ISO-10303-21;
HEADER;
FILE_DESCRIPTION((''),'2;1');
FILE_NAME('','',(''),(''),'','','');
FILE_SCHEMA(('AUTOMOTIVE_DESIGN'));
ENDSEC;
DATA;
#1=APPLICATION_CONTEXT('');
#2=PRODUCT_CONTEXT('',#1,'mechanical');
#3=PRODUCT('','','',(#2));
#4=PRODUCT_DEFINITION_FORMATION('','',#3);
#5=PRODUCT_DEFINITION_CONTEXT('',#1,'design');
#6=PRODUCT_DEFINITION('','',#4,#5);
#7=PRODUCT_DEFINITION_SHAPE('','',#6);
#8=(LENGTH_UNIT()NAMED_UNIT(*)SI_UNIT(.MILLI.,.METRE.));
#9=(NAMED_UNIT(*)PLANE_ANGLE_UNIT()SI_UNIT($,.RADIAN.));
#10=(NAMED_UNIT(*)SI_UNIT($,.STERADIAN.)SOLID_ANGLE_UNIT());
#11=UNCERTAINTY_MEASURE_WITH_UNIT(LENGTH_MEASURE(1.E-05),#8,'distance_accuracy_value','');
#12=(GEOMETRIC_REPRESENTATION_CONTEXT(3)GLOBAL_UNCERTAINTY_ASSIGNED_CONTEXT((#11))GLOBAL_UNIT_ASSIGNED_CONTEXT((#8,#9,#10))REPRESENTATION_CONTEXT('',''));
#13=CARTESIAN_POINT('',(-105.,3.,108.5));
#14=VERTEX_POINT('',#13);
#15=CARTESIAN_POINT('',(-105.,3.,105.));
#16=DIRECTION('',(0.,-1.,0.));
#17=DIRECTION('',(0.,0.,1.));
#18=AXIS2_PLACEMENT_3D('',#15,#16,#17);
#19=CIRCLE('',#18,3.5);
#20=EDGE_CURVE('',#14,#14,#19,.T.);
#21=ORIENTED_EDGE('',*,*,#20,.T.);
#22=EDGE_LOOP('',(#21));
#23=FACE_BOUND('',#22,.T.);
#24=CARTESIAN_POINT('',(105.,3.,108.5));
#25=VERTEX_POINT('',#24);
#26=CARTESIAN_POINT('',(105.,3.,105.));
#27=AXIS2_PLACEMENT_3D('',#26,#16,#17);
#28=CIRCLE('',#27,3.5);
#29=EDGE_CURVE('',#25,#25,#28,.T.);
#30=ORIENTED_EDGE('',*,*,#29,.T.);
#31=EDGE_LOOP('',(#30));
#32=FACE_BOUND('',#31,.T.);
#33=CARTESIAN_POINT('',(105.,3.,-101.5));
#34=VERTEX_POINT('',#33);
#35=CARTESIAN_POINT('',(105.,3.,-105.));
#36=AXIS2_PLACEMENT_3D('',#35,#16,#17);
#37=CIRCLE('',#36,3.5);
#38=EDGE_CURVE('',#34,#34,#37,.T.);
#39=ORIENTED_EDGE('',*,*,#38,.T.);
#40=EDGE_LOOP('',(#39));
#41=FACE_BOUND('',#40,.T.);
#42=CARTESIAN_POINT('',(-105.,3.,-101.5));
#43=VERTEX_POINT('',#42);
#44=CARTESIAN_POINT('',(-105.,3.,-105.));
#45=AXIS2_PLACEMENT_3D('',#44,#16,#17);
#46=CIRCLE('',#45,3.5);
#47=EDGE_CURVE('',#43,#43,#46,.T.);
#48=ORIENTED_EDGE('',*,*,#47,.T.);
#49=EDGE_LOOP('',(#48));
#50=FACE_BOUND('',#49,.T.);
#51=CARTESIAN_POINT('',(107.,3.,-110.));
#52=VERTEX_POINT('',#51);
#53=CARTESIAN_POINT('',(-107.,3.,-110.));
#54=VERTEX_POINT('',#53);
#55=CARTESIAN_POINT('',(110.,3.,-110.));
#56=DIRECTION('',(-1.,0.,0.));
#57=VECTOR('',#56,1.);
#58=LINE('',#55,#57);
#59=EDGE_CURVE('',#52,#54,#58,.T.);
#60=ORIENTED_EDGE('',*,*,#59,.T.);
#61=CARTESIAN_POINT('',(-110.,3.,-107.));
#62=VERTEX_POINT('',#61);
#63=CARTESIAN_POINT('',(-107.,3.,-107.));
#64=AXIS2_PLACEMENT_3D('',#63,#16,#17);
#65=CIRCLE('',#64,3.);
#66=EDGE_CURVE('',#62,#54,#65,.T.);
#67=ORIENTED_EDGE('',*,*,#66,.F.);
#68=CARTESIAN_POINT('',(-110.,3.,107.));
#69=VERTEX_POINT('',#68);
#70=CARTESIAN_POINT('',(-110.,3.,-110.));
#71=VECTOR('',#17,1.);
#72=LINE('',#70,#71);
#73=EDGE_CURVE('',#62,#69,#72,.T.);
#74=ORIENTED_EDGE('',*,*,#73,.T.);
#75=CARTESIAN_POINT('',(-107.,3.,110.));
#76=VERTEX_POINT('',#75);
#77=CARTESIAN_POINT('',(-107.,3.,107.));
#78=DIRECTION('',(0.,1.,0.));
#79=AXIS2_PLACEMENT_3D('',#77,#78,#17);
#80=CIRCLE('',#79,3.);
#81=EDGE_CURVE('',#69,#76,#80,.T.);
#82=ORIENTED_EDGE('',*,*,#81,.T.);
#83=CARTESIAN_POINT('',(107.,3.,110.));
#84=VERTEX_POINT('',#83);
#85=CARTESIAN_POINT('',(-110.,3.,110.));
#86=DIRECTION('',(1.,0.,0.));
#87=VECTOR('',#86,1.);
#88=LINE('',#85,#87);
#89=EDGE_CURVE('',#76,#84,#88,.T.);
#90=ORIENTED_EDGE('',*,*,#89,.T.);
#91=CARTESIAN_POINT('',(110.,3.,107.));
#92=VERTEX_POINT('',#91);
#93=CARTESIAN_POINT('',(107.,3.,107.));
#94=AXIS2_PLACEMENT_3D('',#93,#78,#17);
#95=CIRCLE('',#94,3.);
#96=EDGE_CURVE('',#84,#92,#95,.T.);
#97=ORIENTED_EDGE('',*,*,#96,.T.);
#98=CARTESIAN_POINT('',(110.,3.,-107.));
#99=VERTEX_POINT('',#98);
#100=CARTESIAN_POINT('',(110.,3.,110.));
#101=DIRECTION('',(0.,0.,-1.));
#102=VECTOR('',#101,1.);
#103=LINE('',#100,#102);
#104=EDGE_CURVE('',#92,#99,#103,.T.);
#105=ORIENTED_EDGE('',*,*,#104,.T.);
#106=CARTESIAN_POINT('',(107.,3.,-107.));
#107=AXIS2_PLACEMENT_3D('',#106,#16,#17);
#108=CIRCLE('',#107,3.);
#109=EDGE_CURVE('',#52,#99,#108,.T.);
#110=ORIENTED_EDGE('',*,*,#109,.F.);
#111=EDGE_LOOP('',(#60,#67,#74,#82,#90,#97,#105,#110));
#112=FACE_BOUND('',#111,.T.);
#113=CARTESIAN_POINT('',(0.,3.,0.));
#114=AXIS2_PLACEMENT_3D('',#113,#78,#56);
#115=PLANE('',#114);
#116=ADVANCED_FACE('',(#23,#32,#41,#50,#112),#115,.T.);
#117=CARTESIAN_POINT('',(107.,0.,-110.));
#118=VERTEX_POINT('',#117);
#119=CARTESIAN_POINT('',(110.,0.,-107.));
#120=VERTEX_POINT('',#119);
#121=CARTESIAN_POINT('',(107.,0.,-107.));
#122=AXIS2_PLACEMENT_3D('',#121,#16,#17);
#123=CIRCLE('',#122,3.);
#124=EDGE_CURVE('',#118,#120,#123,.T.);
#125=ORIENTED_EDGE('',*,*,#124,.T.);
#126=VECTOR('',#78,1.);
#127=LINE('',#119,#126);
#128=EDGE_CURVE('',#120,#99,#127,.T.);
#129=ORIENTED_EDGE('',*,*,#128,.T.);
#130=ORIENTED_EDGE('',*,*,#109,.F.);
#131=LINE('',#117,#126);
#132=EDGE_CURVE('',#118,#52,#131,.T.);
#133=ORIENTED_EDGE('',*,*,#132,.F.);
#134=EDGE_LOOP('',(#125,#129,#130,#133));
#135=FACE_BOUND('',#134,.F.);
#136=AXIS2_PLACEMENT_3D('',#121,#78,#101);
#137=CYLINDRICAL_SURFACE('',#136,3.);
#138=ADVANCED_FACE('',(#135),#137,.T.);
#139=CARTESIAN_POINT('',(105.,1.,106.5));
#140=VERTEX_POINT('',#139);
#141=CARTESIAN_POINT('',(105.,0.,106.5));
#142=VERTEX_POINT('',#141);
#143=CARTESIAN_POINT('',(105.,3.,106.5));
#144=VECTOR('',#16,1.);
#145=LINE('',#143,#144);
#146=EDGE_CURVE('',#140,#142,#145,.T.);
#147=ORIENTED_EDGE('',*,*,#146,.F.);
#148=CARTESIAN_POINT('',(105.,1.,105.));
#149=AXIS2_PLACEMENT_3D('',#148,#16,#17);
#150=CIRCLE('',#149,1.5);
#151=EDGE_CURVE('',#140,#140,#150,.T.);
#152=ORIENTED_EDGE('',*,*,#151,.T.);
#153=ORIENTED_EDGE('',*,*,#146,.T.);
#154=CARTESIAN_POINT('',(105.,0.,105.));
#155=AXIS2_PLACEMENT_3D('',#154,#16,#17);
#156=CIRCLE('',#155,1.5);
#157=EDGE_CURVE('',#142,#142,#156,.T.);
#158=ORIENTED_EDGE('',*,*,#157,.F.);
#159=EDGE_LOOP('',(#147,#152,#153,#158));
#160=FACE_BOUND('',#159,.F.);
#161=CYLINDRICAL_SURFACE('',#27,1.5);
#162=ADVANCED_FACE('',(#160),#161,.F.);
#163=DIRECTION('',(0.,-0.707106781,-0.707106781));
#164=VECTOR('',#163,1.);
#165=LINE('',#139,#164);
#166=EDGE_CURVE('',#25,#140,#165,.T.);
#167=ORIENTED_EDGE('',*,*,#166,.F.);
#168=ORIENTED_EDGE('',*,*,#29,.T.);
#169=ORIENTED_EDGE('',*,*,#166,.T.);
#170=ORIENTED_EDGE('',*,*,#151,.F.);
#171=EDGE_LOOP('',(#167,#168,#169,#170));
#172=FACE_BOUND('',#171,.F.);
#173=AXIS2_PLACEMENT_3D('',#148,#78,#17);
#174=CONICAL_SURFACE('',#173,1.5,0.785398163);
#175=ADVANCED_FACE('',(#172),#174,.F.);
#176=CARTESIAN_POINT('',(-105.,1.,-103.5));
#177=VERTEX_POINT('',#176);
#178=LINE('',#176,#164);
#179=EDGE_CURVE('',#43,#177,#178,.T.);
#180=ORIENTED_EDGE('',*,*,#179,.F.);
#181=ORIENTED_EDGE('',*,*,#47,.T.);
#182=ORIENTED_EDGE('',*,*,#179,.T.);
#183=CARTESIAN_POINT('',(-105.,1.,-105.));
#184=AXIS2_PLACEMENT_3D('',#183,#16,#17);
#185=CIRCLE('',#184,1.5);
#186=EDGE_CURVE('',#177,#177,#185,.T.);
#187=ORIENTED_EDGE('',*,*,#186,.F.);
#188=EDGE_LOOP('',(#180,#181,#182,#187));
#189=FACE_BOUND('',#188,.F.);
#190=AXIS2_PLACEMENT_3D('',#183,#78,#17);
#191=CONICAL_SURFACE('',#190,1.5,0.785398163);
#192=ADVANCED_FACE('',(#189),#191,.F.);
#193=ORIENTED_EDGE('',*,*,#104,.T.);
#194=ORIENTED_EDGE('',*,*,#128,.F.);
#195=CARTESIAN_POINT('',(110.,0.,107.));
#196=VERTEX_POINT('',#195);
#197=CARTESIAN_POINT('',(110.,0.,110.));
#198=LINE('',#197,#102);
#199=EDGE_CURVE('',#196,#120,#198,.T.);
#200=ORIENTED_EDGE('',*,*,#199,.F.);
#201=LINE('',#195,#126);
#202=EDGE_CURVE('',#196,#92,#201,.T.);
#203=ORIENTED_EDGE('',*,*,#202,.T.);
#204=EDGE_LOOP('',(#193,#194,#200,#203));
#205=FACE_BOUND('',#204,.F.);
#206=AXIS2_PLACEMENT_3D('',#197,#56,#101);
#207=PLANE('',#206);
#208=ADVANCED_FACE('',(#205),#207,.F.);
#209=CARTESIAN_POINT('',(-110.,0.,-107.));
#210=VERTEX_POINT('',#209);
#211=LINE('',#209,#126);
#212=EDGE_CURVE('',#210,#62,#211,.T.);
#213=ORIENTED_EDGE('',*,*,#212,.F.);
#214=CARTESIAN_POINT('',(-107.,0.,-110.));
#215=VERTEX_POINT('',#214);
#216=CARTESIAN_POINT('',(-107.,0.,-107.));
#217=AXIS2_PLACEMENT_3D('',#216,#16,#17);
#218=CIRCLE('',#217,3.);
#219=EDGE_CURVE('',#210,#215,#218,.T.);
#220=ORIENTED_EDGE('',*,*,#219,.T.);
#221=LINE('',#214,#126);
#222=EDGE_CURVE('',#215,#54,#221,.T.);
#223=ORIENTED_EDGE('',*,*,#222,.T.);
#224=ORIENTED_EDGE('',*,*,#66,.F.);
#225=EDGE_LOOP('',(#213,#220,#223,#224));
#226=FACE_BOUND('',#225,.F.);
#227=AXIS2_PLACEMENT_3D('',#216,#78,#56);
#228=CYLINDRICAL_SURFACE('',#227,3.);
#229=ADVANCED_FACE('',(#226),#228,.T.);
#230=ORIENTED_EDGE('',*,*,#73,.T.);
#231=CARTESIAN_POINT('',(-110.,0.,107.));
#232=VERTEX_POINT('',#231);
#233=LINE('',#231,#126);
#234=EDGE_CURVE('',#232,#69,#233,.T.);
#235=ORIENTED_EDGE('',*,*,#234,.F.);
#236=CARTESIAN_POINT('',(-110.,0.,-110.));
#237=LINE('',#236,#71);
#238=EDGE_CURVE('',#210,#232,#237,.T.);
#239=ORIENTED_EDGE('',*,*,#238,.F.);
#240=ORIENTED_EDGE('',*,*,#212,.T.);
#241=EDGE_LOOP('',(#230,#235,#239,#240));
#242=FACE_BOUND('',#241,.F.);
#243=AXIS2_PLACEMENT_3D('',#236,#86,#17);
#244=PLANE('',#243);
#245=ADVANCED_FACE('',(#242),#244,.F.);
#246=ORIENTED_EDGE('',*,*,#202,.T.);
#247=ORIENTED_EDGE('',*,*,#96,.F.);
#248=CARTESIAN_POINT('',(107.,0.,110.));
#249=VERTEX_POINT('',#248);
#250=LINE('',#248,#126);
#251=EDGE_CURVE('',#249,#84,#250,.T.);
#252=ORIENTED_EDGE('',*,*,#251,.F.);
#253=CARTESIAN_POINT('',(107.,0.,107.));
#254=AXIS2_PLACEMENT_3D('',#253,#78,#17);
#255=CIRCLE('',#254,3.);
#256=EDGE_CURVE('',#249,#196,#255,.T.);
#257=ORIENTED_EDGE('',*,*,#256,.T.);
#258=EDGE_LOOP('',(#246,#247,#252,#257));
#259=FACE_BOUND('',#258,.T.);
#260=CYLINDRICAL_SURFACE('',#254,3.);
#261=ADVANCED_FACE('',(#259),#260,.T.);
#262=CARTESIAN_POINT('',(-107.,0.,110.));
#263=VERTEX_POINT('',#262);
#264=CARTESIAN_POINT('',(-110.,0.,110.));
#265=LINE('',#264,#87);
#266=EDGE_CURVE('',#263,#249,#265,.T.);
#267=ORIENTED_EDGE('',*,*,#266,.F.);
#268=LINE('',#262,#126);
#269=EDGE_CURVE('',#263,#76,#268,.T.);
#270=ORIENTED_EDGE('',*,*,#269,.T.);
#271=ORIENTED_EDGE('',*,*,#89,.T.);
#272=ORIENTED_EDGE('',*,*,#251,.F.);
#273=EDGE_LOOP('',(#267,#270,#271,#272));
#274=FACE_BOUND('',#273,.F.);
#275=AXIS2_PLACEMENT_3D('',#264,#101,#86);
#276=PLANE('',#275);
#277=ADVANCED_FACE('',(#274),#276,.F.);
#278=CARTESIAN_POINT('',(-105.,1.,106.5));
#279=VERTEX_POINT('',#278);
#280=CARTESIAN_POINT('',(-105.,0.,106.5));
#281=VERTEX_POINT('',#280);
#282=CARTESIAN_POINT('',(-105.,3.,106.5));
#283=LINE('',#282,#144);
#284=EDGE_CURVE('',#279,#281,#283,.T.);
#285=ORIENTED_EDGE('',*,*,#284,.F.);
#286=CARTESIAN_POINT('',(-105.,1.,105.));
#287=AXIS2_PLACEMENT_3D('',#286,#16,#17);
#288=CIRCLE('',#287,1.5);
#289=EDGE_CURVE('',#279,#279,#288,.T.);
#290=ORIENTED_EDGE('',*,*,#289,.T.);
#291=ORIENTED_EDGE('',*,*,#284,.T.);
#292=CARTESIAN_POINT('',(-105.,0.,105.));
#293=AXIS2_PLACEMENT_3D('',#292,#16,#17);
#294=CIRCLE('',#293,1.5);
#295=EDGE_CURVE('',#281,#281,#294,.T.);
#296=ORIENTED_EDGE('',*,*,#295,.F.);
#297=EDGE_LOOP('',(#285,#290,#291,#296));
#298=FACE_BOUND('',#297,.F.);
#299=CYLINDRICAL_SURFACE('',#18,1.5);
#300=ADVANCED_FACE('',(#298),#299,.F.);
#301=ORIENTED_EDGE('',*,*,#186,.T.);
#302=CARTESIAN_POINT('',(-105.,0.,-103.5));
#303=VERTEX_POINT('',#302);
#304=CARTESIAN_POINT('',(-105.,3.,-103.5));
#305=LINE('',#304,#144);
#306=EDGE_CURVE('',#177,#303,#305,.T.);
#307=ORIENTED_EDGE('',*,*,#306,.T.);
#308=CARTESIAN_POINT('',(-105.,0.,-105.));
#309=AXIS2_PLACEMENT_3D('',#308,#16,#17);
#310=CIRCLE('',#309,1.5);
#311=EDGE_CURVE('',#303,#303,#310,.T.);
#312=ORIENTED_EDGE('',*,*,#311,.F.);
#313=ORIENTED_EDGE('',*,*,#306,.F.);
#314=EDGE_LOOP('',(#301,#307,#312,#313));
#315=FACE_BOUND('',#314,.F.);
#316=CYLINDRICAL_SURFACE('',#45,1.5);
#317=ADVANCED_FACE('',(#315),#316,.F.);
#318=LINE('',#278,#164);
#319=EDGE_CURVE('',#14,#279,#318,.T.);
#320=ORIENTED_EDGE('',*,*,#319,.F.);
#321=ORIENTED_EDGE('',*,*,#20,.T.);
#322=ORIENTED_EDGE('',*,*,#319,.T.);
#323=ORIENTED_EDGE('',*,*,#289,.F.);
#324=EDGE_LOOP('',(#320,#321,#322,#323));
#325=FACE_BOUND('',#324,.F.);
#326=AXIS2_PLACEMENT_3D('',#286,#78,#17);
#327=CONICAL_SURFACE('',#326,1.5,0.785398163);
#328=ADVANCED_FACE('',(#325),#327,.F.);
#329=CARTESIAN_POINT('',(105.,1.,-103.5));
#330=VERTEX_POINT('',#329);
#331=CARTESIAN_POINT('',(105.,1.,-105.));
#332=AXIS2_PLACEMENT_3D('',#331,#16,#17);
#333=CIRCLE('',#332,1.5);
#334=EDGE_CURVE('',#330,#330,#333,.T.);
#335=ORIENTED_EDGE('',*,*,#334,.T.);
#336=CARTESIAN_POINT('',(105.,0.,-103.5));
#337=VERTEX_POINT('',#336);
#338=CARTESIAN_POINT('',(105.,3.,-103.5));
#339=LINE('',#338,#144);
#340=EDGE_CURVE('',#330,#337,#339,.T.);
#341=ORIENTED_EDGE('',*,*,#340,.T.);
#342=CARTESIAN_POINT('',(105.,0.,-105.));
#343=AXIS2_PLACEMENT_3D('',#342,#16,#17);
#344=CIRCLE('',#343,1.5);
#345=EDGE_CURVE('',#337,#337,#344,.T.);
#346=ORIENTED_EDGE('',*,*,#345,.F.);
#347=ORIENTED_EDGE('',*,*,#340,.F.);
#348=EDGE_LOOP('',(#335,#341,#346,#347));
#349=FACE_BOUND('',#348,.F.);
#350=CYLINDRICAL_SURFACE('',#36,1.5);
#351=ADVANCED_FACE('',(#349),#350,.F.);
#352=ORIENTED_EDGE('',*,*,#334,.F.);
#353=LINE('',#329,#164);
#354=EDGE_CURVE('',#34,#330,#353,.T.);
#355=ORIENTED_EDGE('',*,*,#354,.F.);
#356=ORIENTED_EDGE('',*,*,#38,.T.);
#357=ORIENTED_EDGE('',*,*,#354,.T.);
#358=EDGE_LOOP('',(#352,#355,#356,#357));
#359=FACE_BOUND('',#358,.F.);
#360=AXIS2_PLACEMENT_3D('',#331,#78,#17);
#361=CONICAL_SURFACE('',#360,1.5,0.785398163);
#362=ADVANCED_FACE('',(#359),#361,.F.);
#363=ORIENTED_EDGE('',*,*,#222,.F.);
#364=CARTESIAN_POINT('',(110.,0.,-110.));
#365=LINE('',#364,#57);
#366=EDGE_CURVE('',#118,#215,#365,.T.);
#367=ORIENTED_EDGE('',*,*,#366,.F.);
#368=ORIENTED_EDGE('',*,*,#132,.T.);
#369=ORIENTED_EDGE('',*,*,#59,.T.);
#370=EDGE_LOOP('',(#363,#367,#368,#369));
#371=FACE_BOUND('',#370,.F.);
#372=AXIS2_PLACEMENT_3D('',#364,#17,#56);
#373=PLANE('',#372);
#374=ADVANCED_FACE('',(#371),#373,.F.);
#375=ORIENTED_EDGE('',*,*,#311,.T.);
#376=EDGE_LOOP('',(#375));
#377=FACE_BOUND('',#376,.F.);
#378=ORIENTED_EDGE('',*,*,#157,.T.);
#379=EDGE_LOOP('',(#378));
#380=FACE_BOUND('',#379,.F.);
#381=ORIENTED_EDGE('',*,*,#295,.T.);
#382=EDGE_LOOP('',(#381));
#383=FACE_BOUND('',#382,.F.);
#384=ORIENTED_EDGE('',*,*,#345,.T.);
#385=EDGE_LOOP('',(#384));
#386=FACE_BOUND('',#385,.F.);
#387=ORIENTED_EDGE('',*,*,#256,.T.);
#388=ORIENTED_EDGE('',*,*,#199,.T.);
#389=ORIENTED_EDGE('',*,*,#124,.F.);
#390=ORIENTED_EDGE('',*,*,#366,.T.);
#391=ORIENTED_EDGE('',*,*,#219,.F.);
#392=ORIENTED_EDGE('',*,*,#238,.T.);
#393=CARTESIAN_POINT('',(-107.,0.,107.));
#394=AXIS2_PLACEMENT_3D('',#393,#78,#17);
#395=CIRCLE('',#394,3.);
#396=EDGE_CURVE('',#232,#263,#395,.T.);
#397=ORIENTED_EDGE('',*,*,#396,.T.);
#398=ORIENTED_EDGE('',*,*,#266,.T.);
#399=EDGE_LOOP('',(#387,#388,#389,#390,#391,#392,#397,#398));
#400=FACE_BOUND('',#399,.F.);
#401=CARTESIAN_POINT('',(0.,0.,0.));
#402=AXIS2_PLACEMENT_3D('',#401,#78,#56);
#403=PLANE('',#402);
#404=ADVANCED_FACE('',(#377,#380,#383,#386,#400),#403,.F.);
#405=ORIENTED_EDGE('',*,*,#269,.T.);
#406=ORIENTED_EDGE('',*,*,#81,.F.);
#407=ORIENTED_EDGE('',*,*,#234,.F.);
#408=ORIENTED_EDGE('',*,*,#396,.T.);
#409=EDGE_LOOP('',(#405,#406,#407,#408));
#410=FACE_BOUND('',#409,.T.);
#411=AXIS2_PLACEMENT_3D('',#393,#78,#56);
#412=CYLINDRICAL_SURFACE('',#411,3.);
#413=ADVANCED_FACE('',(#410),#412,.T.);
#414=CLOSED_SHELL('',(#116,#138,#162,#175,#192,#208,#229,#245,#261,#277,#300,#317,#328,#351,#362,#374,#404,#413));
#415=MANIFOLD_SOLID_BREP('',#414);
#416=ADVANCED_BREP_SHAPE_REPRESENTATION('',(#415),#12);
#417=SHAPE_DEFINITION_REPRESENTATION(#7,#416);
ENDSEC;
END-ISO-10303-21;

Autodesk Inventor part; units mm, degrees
ref_plane "YZ Plane" through (0, 0, 0) normal (1, 0, 0) x (0, 1, 0)
ref_plane "XZ Plane" through (0, 0, 0) normal (0, 1, 0) x (-1, 0, 0)
ref_plane "XY Plane" through (0, 0, 0) normal (0, 0, 1) x (1, 0, 0)
sketch "Szkic1" plane through (0, 0, 0) normal (0, 1, 0) x (-1, 0, 0)
  line L0 (110, 110) -> (-110, 110)
  line L1 (-110, 110) -> (-110, -110)
  line L2 (-110, -110) -> (110, -110)
  line L3 (110, -110) -> (110, 110)
  line L4 (110, 0) -> (-110, 0) construction
  line L5 (0, 110) -> (0, -110) construction
  point P0 (0, 0)
  dimension "d0" = 220
  dimension "d1" = 220
extrude "Wyciągnięcie proste1" add sketch "Szkic1" along normal blind 3
sketch "Szkic2" plane through (0, 3, 0) normal (0, 1, 0) x (1, 0, 0)
  line L0 (-110, 110) -> (-110, -110) projected
  line L1 (-110, -110) -> (110, -110) projected
  line L2 (110, -110) -> (110, 110) projected
  line L3 (110, 110) -> (-110, 110) projected
  point P0 (0, 0)
  point P1 (-105, -105)
  point P2 (-105, 105)
  point P3 (105, 105)
  point P4 (105, -105)
  dimension "d4" = 5
  dimension "d5" = 5
  dimension "d6" = 5
  dimension "d7" = 5
hole "Otwór1" at (-105, 3, 105) at (-105, 3, -105) at (105, 3, -105) at (105, 3, 105) direction (0, -1, 0) diameter 3 end through all
fillet "Zaokrąglenie1" radius 3 4 edges at (-110, 1.5, 110) (110, 1.5, 110) (110, 1.5, -110) (-110, 1.5, -110)
chamfer "Faza1" distance 2 angle 45 4 edges at (105, 3, -106.5) (-105, 3, -106.5) (105, 3, 103.5) (-105, 3, 103.5)
properties part number "20_stół"
